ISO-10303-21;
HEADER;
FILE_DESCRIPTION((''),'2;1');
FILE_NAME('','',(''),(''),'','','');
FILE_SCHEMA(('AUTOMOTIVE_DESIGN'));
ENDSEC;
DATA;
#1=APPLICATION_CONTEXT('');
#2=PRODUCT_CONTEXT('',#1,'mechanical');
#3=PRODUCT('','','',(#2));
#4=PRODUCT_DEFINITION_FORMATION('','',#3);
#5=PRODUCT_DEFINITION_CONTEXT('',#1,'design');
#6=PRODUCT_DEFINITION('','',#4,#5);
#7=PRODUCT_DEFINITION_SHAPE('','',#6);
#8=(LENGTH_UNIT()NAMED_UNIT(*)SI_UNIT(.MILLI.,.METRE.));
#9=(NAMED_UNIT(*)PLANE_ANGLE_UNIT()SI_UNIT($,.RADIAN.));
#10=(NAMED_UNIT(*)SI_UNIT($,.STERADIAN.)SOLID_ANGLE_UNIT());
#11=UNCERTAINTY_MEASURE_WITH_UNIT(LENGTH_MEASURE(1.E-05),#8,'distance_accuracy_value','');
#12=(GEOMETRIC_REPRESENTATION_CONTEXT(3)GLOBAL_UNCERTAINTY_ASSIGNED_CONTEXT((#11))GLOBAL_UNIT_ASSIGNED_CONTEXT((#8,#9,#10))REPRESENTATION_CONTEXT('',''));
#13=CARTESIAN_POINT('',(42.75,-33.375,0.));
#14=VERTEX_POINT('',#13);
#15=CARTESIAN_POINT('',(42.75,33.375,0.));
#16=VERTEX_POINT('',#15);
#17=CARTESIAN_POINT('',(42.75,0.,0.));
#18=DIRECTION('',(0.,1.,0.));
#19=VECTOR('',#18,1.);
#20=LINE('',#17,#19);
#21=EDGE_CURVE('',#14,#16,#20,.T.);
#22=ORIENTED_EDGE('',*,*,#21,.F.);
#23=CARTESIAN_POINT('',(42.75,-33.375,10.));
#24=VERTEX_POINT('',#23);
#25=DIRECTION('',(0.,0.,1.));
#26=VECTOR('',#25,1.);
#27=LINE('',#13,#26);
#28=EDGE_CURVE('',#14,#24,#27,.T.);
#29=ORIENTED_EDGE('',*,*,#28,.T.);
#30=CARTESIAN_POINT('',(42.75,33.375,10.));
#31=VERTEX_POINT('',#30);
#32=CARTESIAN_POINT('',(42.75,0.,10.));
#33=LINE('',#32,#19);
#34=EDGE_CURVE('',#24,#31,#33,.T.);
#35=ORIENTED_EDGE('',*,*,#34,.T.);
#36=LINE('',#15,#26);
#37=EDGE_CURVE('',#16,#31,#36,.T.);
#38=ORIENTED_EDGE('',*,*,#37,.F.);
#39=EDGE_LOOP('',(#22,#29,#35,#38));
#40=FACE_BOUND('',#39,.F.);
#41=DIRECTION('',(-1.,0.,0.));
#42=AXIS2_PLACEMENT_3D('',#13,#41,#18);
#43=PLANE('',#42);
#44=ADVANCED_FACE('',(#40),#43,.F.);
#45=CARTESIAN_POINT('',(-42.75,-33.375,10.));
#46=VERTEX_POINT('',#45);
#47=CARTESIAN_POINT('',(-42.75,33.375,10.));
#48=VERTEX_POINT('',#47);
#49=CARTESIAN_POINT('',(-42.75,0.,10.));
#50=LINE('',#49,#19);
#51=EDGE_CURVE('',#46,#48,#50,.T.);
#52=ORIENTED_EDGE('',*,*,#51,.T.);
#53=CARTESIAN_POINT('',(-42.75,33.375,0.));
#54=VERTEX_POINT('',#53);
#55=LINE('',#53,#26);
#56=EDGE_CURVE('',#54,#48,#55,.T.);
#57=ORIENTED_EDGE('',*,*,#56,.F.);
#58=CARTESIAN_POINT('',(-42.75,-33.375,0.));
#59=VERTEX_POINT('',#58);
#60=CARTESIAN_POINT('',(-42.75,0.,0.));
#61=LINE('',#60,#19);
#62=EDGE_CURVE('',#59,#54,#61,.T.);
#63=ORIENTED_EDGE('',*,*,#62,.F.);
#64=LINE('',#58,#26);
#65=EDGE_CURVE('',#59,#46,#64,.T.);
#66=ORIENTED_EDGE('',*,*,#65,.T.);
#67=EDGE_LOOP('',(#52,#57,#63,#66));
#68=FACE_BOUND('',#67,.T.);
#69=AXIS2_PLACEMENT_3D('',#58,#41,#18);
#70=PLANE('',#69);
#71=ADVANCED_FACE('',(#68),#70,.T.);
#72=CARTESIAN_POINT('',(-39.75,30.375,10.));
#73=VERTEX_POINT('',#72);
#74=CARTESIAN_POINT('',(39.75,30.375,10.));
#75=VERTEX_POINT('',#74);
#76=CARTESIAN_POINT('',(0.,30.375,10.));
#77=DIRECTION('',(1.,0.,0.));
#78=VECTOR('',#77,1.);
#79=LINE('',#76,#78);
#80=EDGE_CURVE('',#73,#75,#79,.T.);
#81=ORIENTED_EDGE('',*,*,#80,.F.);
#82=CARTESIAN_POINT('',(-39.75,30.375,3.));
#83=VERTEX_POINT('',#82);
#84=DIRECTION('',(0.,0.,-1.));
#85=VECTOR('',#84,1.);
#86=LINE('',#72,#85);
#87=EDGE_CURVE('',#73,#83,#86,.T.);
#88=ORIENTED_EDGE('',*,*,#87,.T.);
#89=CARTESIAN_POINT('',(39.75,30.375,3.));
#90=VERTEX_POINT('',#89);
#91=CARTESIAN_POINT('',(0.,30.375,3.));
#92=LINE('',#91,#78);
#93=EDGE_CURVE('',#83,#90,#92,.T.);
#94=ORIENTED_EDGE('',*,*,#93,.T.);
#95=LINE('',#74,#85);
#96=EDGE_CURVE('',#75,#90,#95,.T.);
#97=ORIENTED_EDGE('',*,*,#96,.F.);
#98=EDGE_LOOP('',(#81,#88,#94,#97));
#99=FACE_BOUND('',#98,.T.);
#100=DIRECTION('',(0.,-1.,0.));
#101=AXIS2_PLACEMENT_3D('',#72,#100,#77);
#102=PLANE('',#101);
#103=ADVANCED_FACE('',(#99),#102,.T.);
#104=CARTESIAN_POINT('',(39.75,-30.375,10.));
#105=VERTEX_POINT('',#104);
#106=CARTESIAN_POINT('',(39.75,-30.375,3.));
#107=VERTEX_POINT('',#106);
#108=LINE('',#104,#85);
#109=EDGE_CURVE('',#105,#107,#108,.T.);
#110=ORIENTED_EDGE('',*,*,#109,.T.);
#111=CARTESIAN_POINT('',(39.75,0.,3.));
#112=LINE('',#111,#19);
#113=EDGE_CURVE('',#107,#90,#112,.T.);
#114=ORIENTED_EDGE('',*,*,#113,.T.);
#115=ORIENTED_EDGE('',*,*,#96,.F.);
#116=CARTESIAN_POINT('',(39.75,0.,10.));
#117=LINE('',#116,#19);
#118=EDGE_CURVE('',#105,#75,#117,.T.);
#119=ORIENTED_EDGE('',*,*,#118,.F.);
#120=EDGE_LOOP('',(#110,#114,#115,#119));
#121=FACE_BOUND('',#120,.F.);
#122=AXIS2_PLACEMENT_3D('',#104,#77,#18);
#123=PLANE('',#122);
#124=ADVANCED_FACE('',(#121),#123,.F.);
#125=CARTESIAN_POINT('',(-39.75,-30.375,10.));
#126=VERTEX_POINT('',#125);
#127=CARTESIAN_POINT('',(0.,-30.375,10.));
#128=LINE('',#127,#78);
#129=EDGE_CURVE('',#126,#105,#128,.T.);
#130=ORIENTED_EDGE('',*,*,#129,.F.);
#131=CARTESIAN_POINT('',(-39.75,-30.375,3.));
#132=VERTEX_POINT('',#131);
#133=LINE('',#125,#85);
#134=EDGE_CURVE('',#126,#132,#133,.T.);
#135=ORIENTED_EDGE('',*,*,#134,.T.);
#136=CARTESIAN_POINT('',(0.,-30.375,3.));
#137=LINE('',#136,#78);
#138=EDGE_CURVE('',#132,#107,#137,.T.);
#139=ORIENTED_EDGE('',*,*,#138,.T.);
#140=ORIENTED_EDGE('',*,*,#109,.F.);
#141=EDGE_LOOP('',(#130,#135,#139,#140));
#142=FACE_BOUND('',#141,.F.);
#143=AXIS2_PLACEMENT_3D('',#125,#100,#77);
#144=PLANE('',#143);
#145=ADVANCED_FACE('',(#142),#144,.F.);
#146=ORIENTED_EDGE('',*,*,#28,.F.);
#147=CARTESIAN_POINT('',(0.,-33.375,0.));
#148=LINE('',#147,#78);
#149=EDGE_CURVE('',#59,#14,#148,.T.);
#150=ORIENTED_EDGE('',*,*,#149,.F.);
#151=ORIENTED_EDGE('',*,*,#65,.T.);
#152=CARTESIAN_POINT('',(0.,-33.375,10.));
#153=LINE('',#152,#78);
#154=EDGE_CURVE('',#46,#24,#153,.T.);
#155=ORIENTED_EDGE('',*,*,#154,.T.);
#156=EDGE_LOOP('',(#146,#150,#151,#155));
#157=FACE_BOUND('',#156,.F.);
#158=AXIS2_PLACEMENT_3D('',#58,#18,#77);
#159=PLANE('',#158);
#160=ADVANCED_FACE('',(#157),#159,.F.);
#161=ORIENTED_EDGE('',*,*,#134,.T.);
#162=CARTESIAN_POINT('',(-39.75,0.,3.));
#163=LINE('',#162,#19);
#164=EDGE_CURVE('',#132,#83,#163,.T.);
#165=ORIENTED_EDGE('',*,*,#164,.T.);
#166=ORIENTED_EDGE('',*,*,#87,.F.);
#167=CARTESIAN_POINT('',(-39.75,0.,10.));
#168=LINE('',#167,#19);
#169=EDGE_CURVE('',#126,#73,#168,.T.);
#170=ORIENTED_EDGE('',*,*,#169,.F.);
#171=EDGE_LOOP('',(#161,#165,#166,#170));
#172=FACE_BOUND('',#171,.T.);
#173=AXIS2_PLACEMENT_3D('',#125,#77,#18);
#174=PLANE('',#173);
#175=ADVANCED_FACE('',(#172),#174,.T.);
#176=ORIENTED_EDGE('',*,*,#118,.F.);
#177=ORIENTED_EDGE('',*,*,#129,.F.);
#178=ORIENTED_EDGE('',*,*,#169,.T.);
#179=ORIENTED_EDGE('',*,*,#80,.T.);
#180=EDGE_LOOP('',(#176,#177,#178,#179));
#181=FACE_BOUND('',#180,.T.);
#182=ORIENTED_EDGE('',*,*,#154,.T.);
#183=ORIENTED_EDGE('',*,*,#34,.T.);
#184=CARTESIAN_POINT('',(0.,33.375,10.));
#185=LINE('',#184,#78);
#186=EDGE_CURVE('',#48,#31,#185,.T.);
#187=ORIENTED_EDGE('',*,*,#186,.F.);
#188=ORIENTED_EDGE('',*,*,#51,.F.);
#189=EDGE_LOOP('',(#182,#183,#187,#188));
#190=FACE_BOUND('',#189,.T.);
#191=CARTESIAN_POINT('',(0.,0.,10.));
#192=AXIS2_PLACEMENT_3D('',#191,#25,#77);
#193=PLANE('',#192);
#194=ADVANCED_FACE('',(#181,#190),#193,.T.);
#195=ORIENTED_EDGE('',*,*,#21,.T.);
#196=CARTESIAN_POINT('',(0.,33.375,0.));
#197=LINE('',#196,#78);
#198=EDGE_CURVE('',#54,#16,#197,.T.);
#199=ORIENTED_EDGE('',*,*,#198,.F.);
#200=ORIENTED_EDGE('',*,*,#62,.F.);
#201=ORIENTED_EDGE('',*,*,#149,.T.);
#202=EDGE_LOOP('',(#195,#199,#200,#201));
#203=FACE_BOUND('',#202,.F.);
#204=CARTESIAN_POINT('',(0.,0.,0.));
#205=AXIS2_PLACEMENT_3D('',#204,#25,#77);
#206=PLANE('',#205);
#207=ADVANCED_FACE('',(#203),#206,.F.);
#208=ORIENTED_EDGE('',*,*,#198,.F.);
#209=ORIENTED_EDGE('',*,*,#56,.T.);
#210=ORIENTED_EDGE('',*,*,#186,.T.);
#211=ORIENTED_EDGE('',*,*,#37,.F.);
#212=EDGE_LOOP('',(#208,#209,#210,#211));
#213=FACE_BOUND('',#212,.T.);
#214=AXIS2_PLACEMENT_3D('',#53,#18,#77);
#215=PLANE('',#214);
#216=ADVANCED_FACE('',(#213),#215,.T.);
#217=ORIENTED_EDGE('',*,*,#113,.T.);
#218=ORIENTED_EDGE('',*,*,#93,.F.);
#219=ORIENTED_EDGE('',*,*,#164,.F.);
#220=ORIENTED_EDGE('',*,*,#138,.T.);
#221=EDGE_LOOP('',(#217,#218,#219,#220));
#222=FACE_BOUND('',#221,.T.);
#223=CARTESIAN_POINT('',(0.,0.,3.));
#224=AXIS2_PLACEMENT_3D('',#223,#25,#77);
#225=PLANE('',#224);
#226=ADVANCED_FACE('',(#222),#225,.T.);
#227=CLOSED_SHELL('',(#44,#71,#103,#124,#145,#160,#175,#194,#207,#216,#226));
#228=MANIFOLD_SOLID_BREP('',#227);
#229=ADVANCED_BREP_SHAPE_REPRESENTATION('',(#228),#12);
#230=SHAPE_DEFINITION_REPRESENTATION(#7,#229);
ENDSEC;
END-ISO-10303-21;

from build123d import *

# Parameters (mm, degrees)
SKETCH_W     = 85.5
SKETCH_H     = 66.75
PAD_DEPTH    = 10
SKETCH001_W  = 79.5
SKETCH001_H  = 60.75
POCKET_DEPTH = 7


with BuildPart() as part:
    # Sketch → Pad (new body)
    with BuildSketch(Plane.XY):
        Rectangle(SKETCH_W, SKETCH_H)
    extrude(amount=PAD_DEPTH)

    # Sketch001 (on Face6 of Pad) → Pocket (cut)
    with BuildSketch(Plane.XY.offset(10)):
        Rectangle(SKETCH001_W, SKETCH001_H)
    extrude(amount=-POCKET_DEPTH, mode=Mode.SUBTRACT)


solid = part.part
